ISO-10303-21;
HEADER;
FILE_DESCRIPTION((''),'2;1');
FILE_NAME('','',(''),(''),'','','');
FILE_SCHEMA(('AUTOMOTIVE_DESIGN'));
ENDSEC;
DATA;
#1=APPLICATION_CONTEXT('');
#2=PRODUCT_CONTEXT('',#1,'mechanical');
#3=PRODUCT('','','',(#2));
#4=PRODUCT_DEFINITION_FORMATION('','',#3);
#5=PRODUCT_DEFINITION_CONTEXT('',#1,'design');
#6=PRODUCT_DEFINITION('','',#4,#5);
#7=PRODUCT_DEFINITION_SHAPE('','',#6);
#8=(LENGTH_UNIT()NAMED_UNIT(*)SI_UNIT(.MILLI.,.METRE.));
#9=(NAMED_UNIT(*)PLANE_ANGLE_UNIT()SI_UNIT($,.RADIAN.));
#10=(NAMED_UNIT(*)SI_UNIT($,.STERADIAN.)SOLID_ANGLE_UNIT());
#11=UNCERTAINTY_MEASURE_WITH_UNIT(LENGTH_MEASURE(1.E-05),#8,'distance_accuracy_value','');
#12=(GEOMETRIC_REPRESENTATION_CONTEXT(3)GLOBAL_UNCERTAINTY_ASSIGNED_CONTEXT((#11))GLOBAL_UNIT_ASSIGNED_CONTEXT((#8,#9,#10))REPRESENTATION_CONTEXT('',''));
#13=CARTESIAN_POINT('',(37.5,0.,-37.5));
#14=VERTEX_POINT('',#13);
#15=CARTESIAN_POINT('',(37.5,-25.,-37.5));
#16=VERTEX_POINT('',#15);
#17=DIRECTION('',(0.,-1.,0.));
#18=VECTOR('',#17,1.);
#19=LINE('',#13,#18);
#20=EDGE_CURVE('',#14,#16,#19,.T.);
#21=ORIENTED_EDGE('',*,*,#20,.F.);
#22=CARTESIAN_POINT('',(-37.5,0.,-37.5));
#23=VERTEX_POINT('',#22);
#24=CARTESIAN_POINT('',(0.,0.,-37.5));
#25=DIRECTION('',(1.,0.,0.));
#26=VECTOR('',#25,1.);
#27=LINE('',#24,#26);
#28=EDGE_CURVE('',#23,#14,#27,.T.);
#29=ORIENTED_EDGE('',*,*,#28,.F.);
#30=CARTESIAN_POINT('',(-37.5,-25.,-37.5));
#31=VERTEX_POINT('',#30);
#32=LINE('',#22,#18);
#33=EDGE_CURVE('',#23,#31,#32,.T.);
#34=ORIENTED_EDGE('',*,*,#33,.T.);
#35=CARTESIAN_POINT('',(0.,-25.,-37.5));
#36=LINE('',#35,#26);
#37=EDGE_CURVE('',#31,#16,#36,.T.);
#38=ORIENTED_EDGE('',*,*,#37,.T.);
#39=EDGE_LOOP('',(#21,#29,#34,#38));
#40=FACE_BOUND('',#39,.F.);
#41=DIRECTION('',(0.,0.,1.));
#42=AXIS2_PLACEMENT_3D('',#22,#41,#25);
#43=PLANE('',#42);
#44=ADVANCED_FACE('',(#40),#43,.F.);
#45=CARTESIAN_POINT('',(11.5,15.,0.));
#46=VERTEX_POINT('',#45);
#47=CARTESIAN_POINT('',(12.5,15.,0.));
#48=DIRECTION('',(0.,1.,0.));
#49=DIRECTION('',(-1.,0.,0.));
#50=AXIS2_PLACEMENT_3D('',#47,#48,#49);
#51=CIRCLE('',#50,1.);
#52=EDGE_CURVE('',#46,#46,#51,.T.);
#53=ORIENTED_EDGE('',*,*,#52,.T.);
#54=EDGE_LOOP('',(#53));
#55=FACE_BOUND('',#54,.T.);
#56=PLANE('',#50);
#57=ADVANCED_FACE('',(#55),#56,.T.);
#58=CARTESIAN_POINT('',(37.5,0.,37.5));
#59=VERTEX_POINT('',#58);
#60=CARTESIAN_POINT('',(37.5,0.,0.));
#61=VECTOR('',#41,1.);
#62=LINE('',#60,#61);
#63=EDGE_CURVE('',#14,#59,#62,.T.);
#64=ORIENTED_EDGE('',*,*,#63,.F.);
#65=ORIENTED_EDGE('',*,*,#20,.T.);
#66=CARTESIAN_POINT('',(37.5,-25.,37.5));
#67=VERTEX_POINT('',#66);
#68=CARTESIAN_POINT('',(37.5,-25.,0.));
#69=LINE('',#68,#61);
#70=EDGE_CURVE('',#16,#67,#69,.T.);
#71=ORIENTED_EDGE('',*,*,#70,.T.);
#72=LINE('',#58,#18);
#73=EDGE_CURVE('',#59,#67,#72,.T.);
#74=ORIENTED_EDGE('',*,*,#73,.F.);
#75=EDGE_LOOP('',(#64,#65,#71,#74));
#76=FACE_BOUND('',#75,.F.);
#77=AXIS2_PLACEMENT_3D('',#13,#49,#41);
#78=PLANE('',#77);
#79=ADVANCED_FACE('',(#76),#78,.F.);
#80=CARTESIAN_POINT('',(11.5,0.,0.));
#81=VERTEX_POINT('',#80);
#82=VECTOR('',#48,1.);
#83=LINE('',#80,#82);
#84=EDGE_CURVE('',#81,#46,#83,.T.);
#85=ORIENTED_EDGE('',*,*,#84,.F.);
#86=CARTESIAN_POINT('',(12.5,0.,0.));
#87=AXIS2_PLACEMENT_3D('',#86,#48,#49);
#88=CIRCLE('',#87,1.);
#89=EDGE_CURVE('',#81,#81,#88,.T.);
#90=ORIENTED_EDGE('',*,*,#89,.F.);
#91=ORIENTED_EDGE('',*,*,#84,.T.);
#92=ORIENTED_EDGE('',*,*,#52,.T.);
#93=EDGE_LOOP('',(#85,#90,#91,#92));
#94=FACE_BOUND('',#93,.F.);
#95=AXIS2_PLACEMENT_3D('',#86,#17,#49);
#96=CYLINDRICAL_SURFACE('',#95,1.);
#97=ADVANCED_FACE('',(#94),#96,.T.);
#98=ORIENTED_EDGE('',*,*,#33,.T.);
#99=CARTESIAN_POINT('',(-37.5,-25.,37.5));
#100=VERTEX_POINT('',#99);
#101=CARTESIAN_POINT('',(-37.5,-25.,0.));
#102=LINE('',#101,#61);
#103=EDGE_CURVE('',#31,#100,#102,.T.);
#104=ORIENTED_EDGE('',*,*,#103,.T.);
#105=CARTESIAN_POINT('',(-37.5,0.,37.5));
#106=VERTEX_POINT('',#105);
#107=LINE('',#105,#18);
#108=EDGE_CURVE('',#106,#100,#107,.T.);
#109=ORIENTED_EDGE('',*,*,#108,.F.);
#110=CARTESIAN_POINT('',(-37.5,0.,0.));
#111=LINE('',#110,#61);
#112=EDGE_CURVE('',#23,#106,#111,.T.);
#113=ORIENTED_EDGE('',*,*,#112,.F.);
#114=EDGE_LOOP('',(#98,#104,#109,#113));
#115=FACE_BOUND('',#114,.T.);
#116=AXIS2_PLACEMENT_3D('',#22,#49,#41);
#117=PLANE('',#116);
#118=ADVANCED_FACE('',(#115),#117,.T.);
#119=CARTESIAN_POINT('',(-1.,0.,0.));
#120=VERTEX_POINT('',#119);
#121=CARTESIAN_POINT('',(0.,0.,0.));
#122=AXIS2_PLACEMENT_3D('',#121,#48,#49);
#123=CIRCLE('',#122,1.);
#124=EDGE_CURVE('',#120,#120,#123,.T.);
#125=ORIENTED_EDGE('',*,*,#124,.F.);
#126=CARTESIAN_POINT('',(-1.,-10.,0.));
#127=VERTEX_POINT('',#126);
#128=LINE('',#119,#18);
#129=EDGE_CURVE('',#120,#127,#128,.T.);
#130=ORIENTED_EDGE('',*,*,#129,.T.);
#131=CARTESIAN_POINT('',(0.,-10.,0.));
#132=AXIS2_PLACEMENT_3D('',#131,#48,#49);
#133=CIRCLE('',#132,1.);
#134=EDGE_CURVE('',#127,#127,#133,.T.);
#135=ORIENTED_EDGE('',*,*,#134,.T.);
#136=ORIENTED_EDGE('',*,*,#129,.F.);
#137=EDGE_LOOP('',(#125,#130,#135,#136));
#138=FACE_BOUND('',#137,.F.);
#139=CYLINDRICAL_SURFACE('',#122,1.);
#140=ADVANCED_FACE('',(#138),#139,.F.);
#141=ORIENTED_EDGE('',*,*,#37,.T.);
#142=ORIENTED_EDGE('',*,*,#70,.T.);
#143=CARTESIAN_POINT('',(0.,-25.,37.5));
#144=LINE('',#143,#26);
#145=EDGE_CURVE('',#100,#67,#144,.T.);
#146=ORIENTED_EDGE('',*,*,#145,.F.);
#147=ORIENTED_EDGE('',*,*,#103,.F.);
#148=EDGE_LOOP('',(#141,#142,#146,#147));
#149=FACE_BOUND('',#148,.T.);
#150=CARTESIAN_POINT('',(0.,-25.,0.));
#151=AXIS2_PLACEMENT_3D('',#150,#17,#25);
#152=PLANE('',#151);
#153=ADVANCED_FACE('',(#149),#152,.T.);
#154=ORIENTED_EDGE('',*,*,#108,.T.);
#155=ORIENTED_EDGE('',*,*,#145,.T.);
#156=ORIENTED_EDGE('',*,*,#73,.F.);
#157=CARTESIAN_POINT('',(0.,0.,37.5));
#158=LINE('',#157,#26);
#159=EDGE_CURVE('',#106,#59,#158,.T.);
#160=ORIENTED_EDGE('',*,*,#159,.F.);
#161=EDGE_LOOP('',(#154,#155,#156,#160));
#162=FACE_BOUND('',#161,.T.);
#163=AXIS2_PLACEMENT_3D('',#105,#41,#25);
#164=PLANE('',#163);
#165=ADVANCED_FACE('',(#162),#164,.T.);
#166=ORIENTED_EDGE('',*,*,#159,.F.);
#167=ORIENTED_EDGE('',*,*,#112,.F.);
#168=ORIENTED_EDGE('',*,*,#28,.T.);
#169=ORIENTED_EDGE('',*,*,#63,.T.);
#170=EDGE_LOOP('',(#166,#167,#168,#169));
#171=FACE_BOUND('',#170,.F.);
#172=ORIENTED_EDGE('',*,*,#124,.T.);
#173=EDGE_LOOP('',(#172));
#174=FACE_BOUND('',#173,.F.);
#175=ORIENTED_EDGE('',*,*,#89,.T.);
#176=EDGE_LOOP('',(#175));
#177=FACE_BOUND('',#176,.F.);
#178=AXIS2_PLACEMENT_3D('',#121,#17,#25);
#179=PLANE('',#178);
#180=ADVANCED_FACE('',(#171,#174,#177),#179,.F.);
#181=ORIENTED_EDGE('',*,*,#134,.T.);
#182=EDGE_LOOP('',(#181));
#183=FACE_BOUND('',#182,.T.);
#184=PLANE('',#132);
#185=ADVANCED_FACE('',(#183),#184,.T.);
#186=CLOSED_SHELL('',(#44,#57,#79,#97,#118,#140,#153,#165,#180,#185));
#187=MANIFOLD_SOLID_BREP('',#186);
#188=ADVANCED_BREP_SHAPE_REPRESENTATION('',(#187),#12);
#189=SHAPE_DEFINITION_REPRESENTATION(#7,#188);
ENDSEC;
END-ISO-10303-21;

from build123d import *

# Parameters (mm, degrees)
F0_W     = 75
F0_H     = 75
F1_DEPTH = 25
F2_R     = 1
F3_DEPTH = 10
F4_R     = 1
F5_DEPTH = 15


with BuildPart() as f1:
    # F0 (on Front) → F1 (new body)
    with BuildSketch(Plane.XZ):
        Rectangle(F0_W, F0_H)
    extrude(amount=F1_DEPTH)

    # F2 (on face) → F3 (cut)
    with BuildSketch(Plane(origin=(0, 0, 0), x_dir=(-1, 0, 0), z_dir=(0, 1, 0))):
        Circle(F2_R)
    extrude(amount=-F3_DEPTH, mode=Mode.SUBTRACT)

    # F4 (on face) → F5 (join)
    with BuildSketch(Plane(origin=(0, 0, 0), x_dir=(-1, 0, 0), z_dir=(0, 1, 0))):
        with Locations((-12.5, 0)):
            Circle(F4_R)
    extrude(amount=F5_DEPTH)


solid = f1.part
